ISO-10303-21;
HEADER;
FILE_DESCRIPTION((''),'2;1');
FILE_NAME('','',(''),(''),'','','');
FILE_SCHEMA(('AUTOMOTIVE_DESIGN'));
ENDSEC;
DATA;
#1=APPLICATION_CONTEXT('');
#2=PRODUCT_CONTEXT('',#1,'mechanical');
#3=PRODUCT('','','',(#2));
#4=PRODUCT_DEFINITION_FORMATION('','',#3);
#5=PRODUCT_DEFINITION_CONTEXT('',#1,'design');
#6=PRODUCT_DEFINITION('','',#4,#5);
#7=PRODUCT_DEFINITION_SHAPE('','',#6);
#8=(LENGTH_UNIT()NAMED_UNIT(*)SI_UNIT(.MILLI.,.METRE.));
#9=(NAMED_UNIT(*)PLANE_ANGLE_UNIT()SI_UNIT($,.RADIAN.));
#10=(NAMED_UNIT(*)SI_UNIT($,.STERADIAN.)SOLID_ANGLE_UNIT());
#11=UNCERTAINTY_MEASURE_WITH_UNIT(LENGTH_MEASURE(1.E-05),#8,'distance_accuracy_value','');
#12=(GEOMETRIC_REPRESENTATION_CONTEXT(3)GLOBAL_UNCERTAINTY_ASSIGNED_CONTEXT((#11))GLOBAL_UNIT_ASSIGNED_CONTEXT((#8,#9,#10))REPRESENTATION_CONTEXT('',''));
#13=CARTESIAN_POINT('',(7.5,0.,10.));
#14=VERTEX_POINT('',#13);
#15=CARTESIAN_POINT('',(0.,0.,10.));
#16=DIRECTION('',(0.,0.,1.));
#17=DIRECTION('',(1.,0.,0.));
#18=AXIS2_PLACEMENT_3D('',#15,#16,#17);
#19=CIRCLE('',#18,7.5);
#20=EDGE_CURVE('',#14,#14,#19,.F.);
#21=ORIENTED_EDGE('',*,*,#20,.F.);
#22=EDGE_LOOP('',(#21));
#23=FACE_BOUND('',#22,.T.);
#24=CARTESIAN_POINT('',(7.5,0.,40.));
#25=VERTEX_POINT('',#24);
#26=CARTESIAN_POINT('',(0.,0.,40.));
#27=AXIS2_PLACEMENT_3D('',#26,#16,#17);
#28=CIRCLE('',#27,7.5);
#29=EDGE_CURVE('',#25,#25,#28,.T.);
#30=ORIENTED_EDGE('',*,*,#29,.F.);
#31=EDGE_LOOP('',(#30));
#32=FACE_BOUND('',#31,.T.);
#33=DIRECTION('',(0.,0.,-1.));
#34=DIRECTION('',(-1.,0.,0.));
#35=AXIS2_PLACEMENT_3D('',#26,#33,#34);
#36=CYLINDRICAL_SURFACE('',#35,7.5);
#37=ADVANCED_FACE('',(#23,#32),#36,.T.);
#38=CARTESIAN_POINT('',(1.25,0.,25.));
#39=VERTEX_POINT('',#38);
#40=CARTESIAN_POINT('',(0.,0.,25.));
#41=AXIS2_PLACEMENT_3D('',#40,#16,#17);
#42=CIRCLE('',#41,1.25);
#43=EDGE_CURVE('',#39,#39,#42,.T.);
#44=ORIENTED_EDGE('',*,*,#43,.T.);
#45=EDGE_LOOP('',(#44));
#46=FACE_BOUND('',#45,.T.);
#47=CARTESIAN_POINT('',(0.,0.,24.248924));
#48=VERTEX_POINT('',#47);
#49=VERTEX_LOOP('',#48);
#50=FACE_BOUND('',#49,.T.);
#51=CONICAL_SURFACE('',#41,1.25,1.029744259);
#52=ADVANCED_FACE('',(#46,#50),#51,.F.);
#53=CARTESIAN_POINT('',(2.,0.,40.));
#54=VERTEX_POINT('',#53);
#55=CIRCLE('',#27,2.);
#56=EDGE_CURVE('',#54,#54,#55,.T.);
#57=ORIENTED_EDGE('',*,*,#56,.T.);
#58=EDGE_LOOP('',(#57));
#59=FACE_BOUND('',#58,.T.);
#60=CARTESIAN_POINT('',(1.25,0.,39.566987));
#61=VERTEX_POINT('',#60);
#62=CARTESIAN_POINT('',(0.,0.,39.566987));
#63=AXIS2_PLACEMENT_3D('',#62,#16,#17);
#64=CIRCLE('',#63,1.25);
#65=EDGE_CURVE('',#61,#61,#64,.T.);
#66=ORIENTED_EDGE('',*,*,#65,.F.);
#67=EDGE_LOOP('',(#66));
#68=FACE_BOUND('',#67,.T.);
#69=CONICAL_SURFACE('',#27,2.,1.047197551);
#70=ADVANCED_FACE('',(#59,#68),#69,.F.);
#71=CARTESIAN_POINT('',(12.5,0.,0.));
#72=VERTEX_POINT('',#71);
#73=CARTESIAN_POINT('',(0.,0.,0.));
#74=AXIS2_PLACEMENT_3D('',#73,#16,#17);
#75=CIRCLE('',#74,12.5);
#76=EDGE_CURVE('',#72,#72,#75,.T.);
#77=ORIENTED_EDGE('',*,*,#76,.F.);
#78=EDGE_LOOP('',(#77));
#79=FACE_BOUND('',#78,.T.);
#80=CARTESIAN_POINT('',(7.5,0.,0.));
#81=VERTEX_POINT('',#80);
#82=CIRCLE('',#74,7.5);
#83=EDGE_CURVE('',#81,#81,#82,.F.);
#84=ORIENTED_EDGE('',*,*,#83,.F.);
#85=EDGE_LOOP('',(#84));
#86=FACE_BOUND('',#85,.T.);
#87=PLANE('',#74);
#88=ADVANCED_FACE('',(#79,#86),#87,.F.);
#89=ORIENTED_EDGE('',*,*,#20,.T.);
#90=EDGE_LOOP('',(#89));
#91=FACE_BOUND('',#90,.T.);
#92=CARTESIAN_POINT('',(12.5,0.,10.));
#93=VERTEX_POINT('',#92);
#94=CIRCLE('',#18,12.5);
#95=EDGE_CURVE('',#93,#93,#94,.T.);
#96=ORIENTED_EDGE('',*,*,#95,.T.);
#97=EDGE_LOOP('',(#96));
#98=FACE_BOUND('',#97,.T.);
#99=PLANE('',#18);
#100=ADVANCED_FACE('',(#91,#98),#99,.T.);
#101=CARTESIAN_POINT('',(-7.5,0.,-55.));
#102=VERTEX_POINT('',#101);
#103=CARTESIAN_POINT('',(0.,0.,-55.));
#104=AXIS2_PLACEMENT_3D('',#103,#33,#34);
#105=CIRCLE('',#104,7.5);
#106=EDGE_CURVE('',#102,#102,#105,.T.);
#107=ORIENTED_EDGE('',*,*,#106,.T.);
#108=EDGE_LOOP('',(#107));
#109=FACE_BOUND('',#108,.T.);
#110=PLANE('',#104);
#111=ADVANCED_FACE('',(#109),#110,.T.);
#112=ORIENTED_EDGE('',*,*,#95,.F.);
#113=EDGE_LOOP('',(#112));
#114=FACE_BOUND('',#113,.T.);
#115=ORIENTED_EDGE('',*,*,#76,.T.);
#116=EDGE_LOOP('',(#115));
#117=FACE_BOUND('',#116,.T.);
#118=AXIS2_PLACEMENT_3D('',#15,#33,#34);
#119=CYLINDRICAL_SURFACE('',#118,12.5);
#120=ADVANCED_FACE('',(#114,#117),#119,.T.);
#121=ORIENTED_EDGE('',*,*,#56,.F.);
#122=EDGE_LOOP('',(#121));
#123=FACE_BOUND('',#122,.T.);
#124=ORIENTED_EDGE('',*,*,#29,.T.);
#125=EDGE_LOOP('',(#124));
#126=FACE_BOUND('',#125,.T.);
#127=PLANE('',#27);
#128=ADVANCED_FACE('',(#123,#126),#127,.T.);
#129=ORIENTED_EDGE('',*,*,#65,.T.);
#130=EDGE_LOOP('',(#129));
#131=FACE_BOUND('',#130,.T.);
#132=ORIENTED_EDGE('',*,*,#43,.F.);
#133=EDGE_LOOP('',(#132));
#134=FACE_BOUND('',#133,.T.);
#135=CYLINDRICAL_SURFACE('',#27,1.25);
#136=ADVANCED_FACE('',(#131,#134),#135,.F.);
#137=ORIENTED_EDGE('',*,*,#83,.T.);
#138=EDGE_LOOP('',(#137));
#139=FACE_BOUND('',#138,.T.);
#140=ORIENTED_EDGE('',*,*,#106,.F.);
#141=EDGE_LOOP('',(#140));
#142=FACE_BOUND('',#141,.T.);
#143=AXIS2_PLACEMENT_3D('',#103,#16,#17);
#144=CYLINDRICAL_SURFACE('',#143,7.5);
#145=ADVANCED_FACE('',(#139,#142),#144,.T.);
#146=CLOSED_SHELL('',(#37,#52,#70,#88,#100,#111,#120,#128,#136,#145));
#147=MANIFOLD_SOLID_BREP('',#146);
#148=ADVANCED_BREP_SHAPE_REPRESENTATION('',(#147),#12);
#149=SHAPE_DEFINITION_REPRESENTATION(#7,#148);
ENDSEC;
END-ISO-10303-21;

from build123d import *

# Parameters (mm, degrees)
SKETCH1_R                       = 12.5
F_25MM_DIA_DEPTH                = 10
F_15MM_START                    = -10
SKETCH2_R                       = 7.5
F_15MM_DIA_BEARING_END_DEPTH    = 40
F_15MM_START_2                  = 55
SKETCH3_R                       = 7.5
F_15MM_DIA_GEAR_END_DEPTH       = 55
M3X0_5_TAPPED_HOLE1_D           = 2.5
M3X0_5_TAPPED_HOLE1_DEPTH       = 15
M3X0_5_TAPPED_HOLE1_CSINK_D     = 4
M3X0_5_TAPPED_HOLE1_CSINK_ANGLE = 120
M3X0_5_TAPPED_HOLE1_TIP         = 0.751075774


with BuildPart() as part:
    # Sketch1 → 25mm dia (new body)
    with BuildSketch(Plane.XY):
        Circle(SKETCH1_R)
    extrude(amount=F_25MM_DIA_DEPTH)

    # Sketch2 → 15mm dia bearing end (add)
    with BuildSketch(Plane.XY.offset(10).offset(F_15MM_START)):
        Circle(SKETCH2_R)
    extrude(amount=F_15MM_DIA_BEARING_END_DEPTH)

    # Sketch3 → 15mm dia gear end (add)
    with BuildSketch(Plane(origin=(0, 0, 0), x_dir=(-1, 0, 0), z_dir=(0, 0, -1)).offset(F_15MM_START_2)):
        with Locations(Location((0, 0, 0), (0, 0, 180))):
            Circle(SKETCH3_R)
    extrude(amount=-F_15MM_DIA_GEAR_END_DEPTH)

    # M3x0.5 Tapped Hole1
    with Locations(Plane.XY.offset(40)):
        with Locations((0, 0)):
            CounterSinkHole(M3X0_5_TAPPED_HOLE1_D / 2, M3X0_5_TAPPED_HOLE1_CSINK_D / 2, depth=M3X0_5_TAPPED_HOLE1_DEPTH, counter_sink_angle=M3X0_5_TAPPED_HOLE1_CSINK_ANGLE)
            with Locations((0, 0, -(M3X0_5_TAPPED_HOLE1_DEPTH + M3X0_5_TAPPED_HOLE1_TIP / 2))):  # 118° drill point
                Cone(0, M3X0_5_TAPPED_HOLE1_D / 2, M3X0_5_TAPPED_HOLE1_TIP, mode=Mode.SUBTRACT)


solid = part.part
